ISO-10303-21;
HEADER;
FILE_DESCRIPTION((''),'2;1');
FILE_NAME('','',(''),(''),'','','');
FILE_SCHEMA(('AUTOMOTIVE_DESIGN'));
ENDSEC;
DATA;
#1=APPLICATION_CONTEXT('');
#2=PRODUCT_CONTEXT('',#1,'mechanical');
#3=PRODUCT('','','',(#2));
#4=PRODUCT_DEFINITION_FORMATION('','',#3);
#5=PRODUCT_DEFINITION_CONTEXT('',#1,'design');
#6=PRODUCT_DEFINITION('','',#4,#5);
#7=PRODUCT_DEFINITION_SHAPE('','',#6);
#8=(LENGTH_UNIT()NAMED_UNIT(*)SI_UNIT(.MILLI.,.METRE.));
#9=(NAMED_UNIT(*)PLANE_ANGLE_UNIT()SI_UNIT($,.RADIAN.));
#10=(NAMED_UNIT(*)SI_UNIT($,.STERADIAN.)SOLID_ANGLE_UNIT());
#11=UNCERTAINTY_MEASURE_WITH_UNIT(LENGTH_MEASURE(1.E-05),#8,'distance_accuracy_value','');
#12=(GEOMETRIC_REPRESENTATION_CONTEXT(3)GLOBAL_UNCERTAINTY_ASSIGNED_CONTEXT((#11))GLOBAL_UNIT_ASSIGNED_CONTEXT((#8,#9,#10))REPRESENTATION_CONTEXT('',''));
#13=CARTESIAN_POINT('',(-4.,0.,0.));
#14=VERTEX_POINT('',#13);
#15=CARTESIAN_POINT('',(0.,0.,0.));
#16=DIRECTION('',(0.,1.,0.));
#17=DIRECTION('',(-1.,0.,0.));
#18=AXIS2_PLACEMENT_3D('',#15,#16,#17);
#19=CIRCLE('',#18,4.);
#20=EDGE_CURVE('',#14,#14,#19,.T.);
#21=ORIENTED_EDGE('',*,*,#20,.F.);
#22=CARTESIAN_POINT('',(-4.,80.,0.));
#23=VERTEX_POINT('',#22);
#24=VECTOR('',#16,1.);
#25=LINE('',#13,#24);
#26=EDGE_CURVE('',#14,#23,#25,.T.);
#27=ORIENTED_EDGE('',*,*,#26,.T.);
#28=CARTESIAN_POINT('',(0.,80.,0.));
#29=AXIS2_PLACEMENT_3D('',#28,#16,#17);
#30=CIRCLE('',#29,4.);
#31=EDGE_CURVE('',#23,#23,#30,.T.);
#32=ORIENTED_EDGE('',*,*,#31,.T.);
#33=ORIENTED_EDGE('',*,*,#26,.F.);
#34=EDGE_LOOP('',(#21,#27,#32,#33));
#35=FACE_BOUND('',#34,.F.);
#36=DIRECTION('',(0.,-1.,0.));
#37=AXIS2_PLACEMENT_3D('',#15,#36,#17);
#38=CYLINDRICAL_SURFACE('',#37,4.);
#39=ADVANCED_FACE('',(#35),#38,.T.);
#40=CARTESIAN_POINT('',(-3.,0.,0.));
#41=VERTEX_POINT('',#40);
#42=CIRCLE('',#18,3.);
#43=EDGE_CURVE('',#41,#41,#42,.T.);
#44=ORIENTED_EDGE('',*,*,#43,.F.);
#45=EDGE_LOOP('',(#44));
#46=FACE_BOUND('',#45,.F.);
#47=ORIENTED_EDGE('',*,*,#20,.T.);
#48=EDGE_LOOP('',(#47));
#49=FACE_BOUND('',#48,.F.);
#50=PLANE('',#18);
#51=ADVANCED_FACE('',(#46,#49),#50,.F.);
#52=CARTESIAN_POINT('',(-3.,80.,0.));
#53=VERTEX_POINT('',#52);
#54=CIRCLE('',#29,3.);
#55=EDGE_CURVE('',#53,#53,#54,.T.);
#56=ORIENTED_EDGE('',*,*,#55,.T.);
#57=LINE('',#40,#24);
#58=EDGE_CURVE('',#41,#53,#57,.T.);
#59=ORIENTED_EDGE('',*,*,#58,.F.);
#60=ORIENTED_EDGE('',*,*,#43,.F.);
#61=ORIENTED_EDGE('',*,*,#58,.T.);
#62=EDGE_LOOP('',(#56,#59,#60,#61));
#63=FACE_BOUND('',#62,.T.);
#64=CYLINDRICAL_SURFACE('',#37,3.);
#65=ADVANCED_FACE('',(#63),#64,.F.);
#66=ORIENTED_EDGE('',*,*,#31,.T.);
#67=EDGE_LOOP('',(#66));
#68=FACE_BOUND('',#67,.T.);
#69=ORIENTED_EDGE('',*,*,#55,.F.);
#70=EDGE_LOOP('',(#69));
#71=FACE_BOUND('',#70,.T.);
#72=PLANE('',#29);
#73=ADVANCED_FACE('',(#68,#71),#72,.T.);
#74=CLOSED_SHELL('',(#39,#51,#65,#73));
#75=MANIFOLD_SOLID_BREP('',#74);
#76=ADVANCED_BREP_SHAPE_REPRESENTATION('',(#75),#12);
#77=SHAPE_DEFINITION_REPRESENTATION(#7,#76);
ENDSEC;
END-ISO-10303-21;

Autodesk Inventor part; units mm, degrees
ref_plane "YZ Plane" through (0, 0, 0) normal (1, 0, 0) x (0, 1, 0)
ref_plane "XZ Plane" through (0, 0, 0) normal (0, 1, 0) x (-1, 0, 0)
ref_plane "XY Plane" through (0, 0, 0) normal (0, 0, 1) x (1, 0, 0)
sketch "Эскиз1" plane through (0, 0, 0) normal (0, 1, 0) x (-1, 0, 0)
  circle A0 centre (0, 0) radius 4
  circle A1 centre (0, 0) radius 3
  dimension "d0" = 8
  dimension "d1" = 6
extrude "Выдавливание1" add sketch "Эскиз1" along normal blind 80
properties part number "трубка"
